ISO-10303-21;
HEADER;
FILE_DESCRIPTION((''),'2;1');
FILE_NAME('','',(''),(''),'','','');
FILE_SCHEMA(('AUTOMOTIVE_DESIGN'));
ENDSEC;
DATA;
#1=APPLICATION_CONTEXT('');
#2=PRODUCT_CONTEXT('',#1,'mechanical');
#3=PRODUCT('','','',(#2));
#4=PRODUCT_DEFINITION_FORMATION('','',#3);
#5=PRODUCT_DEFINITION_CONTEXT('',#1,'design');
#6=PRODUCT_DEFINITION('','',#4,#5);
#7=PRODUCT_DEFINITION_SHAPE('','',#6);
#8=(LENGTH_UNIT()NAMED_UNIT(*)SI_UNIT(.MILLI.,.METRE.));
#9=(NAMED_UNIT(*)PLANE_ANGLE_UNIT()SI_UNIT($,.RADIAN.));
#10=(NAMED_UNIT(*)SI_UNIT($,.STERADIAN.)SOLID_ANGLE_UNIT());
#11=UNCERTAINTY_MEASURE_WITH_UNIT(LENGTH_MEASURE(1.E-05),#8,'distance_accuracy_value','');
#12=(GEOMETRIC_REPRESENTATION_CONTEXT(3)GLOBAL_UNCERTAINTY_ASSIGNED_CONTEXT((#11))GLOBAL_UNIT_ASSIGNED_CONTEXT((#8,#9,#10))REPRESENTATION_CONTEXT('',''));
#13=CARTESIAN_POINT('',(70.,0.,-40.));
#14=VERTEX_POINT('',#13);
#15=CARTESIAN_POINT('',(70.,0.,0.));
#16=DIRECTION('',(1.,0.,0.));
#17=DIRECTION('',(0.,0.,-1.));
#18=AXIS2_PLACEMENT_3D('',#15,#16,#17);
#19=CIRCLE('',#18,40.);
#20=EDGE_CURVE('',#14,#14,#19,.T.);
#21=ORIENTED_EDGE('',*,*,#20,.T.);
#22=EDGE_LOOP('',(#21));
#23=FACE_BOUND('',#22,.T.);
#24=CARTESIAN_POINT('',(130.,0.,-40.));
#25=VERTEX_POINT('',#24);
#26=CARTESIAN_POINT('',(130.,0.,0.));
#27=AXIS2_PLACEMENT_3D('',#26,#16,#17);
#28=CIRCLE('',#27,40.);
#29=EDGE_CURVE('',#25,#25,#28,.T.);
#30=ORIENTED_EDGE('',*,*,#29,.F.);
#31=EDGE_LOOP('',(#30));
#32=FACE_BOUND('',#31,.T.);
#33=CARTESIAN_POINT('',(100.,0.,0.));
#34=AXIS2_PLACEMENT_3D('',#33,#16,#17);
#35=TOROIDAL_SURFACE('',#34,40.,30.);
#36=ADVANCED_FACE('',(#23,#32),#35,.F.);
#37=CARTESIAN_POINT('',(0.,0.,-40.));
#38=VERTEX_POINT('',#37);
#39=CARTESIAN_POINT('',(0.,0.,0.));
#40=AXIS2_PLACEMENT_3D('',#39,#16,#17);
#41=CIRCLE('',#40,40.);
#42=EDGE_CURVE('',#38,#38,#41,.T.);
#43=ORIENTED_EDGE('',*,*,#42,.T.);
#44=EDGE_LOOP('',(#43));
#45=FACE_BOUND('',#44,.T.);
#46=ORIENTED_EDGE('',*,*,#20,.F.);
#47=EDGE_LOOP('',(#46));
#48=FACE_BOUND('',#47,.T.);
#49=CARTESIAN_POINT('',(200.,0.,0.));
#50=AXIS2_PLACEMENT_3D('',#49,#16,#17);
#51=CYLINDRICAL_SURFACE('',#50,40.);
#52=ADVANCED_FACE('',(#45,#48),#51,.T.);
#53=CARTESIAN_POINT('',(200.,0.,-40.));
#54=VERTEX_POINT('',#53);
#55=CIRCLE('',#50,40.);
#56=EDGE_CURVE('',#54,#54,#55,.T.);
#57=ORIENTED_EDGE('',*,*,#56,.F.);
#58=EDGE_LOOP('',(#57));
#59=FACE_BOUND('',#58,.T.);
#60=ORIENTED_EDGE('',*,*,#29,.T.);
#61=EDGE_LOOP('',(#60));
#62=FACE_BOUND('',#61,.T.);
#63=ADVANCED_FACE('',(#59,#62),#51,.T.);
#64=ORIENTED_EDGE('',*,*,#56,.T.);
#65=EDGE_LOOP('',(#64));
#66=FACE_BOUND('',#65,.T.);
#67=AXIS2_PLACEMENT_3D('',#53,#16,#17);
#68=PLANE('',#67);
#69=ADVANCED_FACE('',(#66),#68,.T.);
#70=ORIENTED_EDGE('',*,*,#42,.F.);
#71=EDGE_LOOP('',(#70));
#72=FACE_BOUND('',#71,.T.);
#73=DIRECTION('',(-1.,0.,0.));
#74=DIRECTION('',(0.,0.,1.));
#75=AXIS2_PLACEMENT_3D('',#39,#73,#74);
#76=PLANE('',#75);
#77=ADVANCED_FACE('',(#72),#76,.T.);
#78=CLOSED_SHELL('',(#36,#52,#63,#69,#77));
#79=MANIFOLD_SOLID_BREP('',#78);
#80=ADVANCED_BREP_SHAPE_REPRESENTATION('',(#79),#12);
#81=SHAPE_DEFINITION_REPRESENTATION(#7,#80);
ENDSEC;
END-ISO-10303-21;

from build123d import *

# Parameters (mm, degrees)
SCALE3_SCALE = 2


with BuildPart() as part:
    # Sketch1 → Revolve1 (revolve)
    with BuildSketch(Plane(origin=(0, 0, 0), x_dir=(1, 0, 0), z_dir=(0, 1, 0))):
        with BuildLine():
            Line((0, 0), (0, 20))
            Line((0, 20), (35, 20))
            ThreePointArc((35, 20), (50, 5), (65, 20))
            Line((65, 20), (100, 20))
            Line((100, 20), (100, 0))
            Line((100, 0), (0, 0))
        make_face()
    revolve(axis=Axis((100, 0, 0), (-1, 0, 0)))


with BuildPart() as part_1:
    # Scale3: scaled about (0, 0, 0)
    add(part.part.scale(SCALE3_SCALE))


solid = part_1.part
